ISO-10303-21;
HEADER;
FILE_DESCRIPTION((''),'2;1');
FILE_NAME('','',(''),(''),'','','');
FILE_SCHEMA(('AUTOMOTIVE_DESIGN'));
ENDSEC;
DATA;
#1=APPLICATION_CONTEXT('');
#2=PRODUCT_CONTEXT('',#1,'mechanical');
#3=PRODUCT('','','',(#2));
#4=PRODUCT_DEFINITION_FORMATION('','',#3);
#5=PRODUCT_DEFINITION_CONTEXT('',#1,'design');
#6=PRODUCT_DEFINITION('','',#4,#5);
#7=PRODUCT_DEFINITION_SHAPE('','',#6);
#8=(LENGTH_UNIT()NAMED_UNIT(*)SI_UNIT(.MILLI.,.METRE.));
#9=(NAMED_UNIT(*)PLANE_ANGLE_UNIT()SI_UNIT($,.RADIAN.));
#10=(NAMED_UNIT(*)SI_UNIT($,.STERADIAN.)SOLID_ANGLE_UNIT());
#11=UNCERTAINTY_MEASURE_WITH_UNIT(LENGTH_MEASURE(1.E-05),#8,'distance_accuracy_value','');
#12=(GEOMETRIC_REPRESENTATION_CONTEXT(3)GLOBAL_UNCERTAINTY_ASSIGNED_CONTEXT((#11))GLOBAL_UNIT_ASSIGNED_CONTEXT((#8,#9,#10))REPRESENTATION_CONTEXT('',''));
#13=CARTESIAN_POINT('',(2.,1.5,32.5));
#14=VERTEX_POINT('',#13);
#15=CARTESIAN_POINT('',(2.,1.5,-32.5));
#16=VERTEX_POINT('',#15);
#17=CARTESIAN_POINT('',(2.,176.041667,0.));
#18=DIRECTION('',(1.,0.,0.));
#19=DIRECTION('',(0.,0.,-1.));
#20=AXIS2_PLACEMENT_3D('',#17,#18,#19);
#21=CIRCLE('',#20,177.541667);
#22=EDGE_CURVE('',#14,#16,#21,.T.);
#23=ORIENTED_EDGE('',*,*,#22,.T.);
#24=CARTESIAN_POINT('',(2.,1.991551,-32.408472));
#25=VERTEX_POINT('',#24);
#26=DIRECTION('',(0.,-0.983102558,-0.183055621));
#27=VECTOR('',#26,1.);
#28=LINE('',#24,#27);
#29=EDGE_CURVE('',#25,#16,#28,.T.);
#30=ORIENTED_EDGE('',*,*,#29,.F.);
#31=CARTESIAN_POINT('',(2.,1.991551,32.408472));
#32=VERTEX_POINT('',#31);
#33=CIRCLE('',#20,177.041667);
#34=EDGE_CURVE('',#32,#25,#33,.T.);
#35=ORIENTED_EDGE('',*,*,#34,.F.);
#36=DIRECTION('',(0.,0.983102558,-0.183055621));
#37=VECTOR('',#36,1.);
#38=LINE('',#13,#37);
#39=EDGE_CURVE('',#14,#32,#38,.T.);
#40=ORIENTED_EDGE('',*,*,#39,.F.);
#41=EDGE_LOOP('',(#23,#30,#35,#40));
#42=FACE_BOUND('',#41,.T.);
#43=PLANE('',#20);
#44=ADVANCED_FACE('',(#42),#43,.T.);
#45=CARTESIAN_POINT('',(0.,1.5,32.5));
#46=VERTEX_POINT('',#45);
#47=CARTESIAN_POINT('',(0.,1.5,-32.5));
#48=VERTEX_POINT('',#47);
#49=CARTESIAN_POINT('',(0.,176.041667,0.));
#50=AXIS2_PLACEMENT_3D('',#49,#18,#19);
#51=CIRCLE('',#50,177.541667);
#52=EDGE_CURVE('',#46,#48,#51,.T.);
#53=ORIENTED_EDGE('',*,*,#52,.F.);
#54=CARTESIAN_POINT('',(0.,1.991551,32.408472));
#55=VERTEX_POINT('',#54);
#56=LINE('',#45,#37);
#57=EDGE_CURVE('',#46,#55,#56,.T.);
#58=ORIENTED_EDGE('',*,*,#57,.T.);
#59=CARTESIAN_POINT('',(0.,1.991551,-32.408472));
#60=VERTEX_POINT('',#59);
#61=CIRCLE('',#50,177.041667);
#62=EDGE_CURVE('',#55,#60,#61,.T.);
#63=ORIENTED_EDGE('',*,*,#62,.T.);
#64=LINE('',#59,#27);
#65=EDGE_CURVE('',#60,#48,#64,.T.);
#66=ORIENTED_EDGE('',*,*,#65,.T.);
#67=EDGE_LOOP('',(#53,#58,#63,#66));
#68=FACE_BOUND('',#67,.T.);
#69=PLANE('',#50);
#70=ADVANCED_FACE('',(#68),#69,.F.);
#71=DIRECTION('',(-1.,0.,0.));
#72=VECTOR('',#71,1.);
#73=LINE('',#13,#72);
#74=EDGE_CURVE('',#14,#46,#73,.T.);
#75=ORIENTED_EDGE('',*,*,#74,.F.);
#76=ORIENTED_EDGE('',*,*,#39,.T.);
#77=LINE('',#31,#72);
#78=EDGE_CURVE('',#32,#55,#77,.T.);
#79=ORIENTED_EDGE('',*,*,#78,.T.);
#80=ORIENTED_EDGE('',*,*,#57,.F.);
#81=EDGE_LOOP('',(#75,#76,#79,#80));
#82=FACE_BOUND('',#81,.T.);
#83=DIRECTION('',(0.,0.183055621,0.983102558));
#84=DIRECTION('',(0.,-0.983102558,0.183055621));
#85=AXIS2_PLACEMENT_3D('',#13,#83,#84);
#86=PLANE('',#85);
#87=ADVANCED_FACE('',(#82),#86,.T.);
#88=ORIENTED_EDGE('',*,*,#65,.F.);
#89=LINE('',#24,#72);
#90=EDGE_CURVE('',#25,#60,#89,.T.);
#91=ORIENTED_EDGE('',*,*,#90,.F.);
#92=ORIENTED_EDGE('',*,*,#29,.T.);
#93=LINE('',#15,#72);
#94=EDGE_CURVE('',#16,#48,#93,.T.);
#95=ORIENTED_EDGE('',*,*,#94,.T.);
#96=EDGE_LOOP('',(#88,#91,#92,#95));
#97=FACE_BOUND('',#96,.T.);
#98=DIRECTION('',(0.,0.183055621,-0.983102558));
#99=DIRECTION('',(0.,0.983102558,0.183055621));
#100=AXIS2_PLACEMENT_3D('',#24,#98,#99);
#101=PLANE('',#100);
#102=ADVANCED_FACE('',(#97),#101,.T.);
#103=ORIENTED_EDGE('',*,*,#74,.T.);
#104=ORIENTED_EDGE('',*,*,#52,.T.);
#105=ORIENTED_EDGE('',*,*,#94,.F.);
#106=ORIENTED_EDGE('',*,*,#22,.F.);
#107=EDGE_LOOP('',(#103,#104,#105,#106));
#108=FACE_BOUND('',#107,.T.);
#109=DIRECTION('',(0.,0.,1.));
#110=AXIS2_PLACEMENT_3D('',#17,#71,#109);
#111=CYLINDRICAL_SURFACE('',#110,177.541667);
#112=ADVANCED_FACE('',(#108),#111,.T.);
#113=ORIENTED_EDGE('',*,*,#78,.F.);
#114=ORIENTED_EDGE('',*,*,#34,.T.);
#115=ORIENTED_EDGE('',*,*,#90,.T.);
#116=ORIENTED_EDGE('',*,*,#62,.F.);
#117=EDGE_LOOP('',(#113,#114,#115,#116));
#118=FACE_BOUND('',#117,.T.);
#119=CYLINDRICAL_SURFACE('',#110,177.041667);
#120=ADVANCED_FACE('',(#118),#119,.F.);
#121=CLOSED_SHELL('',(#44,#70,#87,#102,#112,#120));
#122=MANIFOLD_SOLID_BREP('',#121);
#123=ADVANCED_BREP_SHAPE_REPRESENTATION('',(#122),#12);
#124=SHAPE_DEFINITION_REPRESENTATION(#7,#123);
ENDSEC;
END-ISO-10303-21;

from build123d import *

# Parameters (mm, degrees)
EXTRUDE_THIN1_DEPTH = 2


with BuildPart() as part:
    # Sketch1 → Extrude-Thin1 (new body)
    with BuildSketch(Plane(origin=(0, 0, 0), x_dir=(0, 0, -1), z_dir=(1, 0, 0))):
        with BuildLine():
            ThreePointArc((-32.5, 1.5), (0, -1.5), (32.5, 1.5))
            Line((32.5, 1.5), (32.40847219, 1.991551279))
            ThreePointArc((32.40847219, 1.991551279), (0, -1), (-32.40847219, 1.991551279))
            Line((-32.40847219, 1.991551279), (-32.5, 1.5))
        make_face()
    extrude(amount=EXTRUDE_THIN1_DEPTH)


solid = part.part
